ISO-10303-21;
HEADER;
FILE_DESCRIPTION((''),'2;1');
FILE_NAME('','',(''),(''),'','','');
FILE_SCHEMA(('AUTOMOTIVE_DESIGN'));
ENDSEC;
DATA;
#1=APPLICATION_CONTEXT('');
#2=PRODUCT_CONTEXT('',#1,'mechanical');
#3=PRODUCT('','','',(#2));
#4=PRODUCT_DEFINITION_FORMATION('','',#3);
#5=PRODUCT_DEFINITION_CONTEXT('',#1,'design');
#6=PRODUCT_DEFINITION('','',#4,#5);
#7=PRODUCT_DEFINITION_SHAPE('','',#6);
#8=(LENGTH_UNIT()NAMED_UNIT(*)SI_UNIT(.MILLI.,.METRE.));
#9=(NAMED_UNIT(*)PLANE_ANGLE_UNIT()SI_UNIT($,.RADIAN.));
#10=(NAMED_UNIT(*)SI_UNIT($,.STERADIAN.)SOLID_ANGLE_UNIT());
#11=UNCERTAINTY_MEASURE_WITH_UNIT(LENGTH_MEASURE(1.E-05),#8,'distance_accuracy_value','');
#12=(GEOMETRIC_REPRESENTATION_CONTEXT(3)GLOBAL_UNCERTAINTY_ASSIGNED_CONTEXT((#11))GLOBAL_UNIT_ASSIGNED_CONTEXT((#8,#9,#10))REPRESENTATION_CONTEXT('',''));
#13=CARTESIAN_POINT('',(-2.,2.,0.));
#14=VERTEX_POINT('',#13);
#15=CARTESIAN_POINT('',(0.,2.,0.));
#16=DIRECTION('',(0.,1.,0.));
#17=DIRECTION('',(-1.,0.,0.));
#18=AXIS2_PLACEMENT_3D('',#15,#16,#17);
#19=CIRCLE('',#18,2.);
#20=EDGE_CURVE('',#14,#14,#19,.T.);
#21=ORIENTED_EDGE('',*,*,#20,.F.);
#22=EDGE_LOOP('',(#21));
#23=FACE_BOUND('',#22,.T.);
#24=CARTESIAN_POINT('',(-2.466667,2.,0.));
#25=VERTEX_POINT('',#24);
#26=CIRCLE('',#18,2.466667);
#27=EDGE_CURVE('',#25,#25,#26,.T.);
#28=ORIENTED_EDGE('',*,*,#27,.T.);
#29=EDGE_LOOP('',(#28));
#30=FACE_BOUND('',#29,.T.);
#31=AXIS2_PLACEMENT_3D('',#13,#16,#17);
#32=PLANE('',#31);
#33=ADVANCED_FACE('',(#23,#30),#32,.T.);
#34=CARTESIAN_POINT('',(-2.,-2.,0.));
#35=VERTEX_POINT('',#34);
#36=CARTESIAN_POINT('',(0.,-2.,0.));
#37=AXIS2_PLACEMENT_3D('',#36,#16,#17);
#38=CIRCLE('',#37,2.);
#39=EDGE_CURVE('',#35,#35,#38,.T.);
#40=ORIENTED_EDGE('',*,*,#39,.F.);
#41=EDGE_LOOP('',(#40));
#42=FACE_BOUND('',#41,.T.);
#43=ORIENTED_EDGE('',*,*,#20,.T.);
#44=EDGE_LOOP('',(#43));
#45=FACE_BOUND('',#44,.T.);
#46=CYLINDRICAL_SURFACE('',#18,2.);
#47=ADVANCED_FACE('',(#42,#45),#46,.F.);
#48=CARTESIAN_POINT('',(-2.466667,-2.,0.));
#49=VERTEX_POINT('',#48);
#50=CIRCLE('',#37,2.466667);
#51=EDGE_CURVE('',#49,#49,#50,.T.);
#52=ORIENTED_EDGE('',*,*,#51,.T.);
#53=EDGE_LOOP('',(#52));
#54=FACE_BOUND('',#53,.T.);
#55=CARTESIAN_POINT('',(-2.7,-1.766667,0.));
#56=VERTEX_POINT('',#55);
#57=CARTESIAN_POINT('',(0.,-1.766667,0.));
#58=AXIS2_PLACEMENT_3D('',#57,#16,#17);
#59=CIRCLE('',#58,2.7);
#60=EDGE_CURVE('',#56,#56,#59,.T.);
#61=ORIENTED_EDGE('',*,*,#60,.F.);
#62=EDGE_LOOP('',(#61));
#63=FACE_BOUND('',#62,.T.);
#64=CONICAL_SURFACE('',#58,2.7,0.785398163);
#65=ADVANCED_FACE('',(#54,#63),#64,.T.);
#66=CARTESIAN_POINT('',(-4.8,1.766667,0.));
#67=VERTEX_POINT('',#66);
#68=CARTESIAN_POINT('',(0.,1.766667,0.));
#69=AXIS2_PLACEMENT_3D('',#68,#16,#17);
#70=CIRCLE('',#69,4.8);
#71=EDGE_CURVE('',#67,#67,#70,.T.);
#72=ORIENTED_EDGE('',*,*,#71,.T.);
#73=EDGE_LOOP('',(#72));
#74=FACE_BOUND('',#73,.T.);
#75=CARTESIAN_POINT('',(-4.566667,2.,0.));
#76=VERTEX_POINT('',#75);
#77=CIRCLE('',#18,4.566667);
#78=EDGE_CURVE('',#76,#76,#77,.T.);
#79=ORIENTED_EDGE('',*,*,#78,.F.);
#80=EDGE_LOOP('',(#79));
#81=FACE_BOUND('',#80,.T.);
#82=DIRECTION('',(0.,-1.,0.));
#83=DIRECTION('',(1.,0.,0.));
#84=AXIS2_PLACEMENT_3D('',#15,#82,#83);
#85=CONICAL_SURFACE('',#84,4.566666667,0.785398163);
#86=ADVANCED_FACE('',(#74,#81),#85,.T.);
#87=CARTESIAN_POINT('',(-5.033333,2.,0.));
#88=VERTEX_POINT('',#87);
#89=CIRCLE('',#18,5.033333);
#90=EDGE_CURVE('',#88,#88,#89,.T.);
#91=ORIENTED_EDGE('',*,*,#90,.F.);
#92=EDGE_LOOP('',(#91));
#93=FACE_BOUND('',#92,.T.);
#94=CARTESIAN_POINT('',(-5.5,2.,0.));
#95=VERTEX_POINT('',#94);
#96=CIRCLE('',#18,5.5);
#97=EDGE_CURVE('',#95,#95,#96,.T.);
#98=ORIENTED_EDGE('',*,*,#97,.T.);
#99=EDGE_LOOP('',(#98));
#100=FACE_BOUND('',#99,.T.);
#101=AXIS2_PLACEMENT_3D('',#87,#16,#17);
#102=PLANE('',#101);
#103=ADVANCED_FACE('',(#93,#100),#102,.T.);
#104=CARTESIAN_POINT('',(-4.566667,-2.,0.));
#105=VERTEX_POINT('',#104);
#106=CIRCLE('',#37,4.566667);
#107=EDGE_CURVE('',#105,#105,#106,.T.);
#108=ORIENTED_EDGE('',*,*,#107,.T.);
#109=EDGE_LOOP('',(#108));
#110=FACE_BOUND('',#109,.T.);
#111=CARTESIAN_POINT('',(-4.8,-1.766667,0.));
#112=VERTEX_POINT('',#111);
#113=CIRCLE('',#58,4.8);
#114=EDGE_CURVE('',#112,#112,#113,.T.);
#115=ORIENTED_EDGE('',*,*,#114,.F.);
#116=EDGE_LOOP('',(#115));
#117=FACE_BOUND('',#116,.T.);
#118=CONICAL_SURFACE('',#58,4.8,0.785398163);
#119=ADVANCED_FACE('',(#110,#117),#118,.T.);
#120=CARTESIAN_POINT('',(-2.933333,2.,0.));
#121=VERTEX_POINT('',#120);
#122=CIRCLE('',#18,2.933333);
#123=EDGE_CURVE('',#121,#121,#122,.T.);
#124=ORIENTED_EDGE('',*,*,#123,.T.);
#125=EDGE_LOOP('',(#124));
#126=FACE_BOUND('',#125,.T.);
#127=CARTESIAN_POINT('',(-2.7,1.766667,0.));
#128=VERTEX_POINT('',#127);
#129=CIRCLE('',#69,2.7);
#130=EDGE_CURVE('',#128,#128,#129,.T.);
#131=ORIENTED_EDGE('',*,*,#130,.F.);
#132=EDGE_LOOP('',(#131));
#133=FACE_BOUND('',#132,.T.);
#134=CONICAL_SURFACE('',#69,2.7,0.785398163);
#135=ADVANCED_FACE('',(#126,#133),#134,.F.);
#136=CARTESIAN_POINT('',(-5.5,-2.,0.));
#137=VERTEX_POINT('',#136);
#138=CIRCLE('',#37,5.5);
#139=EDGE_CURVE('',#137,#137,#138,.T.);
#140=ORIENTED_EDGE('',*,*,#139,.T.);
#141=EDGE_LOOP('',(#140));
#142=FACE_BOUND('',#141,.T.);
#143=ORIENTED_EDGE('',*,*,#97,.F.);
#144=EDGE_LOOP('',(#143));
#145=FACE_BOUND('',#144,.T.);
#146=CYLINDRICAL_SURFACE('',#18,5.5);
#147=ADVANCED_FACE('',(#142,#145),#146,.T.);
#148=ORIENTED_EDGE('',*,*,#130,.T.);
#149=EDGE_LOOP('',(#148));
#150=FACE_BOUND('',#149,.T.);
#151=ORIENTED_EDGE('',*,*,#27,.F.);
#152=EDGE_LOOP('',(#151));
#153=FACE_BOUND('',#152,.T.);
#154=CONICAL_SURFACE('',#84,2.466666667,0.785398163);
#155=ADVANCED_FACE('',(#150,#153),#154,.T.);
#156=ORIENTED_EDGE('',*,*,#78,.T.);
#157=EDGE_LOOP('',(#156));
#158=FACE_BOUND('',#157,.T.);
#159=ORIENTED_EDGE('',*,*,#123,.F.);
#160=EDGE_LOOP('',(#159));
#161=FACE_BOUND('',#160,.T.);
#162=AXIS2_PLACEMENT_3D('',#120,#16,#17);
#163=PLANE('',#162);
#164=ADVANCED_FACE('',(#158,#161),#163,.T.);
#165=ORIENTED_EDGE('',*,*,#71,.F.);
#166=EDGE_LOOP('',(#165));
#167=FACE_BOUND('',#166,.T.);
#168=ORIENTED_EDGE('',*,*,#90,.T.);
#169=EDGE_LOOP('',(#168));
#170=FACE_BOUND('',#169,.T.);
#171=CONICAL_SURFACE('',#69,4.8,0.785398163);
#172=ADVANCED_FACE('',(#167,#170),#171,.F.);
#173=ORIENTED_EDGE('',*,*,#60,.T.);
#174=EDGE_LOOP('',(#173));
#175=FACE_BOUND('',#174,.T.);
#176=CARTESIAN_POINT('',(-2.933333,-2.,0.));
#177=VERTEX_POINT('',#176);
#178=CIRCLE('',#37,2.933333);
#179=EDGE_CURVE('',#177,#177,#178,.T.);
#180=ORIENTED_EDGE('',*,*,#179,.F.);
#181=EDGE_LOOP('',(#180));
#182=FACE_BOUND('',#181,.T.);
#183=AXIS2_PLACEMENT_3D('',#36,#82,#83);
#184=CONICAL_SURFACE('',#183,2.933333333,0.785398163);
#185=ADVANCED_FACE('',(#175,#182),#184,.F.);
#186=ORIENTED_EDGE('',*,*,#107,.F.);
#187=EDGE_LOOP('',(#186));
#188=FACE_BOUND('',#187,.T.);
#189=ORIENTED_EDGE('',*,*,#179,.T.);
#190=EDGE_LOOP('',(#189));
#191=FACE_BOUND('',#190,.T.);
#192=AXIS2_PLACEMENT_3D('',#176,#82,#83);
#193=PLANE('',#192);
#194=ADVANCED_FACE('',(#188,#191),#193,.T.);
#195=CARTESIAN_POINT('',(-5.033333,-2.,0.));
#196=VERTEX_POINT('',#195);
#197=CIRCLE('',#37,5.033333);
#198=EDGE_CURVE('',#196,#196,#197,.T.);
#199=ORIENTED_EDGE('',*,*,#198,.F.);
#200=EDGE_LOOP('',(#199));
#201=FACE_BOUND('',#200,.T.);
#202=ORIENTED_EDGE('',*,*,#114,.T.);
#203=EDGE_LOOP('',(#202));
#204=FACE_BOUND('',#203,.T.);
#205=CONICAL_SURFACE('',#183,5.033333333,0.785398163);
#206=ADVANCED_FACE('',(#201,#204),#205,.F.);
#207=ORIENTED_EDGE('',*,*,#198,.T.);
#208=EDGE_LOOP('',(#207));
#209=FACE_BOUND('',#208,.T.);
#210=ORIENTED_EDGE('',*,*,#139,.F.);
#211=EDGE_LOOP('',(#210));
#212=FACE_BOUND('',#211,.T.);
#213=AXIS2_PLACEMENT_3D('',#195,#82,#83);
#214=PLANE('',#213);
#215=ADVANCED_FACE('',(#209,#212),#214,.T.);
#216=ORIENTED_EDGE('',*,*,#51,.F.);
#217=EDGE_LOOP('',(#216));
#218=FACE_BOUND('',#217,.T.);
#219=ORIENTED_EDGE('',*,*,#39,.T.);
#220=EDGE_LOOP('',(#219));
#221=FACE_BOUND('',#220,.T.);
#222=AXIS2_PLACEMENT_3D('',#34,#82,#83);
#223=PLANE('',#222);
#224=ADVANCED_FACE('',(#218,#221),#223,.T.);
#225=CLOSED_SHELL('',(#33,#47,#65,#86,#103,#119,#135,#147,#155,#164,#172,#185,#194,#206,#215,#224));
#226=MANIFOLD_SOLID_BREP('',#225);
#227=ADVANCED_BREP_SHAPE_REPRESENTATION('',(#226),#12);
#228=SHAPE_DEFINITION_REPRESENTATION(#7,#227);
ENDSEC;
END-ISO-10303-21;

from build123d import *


with BuildPart() as part:
    # Sketch1 → Revolve1 (revolve)
    with BuildSketch(Plane.XY):
        Polygon((-2, 2), (-2.466666667, 2), (-2.7, 1.766666667), (-2.933333333, 2), (-4.566666667, 2), (-4.8, 1.766666667), (-5.033333333, 2), (-5.5, 2), (-5.5, -2), (-5.033333333, -2), (-4.8, -1.766666667), (-4.566666667, -2), (-2.933333333, -2), (-2.7, -1.766666667), (-2.466666667, -2), (-2, -2), align=None)
    revolve(axis=Axis((0, 2, 0), (0, -1, 0)))


solid = part.part
